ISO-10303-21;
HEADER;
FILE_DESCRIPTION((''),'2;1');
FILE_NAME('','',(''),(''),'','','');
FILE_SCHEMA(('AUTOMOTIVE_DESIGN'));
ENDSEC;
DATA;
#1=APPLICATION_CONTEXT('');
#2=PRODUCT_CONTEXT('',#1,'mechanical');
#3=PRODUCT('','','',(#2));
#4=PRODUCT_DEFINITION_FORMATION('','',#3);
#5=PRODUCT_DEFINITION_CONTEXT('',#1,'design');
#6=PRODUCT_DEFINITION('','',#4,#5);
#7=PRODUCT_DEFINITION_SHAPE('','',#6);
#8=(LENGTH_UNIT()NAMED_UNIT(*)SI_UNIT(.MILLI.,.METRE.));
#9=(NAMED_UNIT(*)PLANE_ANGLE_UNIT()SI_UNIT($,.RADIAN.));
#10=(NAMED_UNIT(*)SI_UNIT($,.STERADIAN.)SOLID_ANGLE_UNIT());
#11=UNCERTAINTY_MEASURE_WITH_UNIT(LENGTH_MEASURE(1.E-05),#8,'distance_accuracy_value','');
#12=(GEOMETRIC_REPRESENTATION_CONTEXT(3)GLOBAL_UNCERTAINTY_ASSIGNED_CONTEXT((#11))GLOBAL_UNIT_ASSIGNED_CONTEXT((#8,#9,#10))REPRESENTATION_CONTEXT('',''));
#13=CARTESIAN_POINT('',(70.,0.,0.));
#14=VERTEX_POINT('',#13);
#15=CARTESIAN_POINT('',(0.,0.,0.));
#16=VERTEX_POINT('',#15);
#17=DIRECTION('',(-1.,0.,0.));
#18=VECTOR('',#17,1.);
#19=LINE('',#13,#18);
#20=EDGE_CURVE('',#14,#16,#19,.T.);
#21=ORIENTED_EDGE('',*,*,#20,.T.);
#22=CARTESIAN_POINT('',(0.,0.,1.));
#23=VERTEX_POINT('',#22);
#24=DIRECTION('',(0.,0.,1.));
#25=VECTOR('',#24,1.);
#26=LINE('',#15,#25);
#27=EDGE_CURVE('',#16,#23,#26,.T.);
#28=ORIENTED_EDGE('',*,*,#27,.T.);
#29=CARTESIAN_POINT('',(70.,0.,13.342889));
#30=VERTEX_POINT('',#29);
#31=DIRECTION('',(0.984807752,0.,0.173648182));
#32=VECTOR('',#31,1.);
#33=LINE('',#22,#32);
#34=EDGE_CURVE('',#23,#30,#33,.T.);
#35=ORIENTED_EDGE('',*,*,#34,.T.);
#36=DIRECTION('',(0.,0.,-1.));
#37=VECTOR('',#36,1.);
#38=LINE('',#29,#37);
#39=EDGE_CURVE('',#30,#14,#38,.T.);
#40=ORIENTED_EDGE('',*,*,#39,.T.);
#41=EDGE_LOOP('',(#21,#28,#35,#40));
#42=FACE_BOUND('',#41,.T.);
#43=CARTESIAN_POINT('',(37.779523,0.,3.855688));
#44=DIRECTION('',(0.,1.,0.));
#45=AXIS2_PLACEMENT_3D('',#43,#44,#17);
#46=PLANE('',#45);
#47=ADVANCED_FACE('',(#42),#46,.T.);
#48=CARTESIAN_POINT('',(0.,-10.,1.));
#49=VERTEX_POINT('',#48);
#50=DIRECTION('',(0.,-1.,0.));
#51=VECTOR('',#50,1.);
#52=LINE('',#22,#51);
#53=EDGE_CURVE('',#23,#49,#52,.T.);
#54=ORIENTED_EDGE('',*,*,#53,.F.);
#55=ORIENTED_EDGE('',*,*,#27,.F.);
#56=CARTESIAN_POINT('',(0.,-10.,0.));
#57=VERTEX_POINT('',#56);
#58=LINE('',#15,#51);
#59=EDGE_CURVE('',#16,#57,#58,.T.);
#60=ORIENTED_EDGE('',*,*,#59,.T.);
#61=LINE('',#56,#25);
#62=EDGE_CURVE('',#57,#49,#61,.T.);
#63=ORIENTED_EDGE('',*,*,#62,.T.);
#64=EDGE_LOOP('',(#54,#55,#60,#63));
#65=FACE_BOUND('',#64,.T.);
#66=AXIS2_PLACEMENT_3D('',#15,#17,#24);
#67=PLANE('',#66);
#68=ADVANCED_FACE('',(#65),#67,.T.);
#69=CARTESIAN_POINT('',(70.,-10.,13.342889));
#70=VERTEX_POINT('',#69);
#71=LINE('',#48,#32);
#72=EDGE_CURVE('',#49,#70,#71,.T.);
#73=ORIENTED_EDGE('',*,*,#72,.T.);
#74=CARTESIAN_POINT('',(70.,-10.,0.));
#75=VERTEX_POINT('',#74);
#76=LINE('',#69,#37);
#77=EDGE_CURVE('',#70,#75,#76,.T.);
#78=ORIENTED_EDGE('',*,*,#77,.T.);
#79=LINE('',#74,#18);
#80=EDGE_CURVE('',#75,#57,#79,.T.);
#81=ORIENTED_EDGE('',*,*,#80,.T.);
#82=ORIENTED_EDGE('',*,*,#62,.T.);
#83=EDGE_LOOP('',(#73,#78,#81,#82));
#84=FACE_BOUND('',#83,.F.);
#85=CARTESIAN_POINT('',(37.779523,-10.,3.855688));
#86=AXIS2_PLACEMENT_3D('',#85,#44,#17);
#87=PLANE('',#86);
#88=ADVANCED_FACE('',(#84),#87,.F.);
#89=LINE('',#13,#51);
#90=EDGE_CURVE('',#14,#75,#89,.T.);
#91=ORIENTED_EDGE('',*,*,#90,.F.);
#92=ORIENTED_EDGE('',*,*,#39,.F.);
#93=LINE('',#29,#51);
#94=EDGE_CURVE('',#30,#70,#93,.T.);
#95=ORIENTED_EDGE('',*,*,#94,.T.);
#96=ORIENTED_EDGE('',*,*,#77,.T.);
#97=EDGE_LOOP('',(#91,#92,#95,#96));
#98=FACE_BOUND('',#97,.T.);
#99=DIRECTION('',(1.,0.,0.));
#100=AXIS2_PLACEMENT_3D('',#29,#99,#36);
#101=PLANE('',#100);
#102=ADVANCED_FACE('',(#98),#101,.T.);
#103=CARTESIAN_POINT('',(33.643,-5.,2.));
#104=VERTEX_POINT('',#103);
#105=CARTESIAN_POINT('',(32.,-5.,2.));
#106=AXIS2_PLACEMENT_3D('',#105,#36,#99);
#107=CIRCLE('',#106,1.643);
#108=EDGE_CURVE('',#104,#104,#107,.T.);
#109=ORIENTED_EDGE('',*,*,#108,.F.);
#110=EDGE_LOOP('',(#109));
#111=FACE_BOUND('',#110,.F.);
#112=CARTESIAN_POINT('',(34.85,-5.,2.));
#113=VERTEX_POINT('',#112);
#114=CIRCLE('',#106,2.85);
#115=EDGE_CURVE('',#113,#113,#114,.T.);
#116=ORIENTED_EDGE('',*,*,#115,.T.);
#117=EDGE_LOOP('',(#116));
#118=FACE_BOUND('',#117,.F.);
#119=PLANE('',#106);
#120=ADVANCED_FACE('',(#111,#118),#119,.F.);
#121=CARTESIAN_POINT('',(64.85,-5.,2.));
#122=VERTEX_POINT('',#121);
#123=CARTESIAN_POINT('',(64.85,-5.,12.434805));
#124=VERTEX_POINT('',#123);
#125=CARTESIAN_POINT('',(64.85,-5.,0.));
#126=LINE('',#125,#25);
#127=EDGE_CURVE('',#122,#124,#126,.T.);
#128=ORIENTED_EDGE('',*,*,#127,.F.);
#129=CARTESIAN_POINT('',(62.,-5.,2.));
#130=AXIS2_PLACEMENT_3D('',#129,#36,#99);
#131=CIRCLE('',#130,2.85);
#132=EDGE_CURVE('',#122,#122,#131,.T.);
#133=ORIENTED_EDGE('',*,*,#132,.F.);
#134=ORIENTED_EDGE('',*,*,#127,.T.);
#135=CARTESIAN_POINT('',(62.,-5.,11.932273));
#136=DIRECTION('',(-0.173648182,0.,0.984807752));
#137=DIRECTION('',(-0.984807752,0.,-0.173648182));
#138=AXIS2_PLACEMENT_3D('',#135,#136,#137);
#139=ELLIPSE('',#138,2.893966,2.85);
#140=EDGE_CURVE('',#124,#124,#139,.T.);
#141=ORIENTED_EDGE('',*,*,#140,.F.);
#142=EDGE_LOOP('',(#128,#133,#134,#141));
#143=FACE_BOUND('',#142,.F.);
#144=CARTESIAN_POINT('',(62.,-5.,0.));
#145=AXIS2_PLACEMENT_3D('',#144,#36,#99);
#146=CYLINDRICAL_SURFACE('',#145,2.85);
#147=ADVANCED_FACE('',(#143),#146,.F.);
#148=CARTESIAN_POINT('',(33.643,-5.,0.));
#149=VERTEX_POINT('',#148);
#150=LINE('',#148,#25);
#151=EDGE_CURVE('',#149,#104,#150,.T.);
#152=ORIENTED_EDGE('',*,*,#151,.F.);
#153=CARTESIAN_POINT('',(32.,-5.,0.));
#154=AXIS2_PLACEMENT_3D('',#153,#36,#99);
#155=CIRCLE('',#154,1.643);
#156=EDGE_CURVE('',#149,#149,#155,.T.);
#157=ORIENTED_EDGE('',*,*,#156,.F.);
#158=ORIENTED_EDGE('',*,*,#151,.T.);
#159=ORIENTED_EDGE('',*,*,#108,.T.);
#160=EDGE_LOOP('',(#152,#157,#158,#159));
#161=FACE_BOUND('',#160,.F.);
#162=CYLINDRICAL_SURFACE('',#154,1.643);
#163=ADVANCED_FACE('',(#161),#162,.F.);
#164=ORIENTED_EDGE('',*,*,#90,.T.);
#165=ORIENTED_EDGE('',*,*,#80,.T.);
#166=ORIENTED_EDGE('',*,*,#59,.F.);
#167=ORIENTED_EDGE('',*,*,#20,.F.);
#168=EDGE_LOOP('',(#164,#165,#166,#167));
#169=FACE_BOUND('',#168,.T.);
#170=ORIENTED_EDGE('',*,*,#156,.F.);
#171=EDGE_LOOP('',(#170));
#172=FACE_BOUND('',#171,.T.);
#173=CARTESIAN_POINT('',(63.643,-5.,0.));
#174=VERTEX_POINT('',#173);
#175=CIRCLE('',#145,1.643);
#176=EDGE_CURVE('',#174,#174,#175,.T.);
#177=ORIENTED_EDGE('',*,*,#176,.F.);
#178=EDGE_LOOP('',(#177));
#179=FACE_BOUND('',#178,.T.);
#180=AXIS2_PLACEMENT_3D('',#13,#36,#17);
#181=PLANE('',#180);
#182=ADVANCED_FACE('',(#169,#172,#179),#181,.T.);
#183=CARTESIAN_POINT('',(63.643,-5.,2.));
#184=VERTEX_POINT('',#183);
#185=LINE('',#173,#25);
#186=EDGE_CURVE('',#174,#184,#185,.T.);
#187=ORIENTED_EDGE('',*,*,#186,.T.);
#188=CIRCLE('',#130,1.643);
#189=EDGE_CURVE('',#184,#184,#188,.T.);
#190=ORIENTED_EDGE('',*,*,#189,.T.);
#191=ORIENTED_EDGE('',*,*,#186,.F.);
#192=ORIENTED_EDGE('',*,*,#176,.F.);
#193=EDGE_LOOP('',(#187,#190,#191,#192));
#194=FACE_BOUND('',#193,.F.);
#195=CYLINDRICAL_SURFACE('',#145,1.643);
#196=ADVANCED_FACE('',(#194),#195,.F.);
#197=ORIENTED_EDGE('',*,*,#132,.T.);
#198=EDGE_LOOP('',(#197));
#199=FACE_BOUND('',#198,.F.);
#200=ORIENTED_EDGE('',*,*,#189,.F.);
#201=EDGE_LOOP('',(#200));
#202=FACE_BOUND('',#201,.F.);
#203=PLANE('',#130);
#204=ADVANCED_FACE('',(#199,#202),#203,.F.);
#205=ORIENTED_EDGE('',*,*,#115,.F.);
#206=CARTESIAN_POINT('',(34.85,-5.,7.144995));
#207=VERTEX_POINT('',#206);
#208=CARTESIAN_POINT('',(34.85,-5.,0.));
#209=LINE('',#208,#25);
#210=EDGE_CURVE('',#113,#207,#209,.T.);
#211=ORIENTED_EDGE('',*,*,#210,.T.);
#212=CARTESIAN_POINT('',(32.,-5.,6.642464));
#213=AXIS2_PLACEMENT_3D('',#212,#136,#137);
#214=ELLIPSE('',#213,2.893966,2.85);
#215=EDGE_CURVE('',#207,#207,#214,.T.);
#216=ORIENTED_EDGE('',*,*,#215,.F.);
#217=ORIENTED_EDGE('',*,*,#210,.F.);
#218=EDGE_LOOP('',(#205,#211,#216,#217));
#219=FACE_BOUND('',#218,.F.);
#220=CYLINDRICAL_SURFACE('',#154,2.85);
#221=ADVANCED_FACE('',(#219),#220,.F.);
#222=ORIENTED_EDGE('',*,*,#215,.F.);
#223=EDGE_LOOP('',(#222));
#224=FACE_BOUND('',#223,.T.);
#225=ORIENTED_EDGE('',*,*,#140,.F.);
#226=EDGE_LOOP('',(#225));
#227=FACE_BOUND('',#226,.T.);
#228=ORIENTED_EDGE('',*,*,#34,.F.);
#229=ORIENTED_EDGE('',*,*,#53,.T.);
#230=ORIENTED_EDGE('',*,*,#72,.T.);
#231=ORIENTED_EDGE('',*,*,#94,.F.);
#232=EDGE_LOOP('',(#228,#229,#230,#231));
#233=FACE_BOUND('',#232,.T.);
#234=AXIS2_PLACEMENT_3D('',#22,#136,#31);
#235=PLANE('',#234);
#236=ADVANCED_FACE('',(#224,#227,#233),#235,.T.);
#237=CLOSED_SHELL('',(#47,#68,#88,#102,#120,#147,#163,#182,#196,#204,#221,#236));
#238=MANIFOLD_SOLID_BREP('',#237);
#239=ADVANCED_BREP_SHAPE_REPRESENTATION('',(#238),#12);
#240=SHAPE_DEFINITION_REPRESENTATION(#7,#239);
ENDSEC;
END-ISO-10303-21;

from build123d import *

# Parameters (mm, degrees)
PAD_DEPTH     = 10
SKETCH002_R   = 2.85
POCKET_DEPTH  = 30
SKETCH003_R   = 3.5
SKETCH003_R_2 = 1.643
PAD001_DEPTH  = 2


with BuildPart() as part:
    # Sketch → Pad (new body)
    with BuildSketch(Plane.XZ):
        Polygon((0, 0), (0, 1), (70, 13.342889), (70, 0), align=None)
    extrude(amount=PAD_DEPTH)

    # Sketch002 (on Face4 of Pad) → Pocket (cut)
    with BuildSketch(Plane(origin=(0, 0, 0), x_dir=(1, 0, 0), z_dir=(0, 0, -1))):
        with Locations((32, 5)):
            Circle(SKETCH002_R)
        with Locations((62, 5)):
            Circle(SKETCH002_R)
    extrude(amount=-POCKET_DEPTH, mode=Mode.SUBTRACT)

    # Sketch003 (on Face2 of Pocket) → Pad001 (join)
    with BuildSketch(Plane(origin=(0, 0, 0), x_dir=(1, 0, 0), z_dir=(0, 0, -1))):
        with Locations((32, 5)):
            Circle(SKETCH003_R)
        with Locations((32, 5)):
            Circle(SKETCH003_R_2, mode=Mode.SUBTRACT)
        with Locations((62, 5)):
            Circle(SKETCH003_R)
        with Locations((62, 5)):
            Circle(SKETCH003_R_2, mode=Mode.SUBTRACT)
    extrude(amount=-PAD001_DEPTH)


solid = part.part
